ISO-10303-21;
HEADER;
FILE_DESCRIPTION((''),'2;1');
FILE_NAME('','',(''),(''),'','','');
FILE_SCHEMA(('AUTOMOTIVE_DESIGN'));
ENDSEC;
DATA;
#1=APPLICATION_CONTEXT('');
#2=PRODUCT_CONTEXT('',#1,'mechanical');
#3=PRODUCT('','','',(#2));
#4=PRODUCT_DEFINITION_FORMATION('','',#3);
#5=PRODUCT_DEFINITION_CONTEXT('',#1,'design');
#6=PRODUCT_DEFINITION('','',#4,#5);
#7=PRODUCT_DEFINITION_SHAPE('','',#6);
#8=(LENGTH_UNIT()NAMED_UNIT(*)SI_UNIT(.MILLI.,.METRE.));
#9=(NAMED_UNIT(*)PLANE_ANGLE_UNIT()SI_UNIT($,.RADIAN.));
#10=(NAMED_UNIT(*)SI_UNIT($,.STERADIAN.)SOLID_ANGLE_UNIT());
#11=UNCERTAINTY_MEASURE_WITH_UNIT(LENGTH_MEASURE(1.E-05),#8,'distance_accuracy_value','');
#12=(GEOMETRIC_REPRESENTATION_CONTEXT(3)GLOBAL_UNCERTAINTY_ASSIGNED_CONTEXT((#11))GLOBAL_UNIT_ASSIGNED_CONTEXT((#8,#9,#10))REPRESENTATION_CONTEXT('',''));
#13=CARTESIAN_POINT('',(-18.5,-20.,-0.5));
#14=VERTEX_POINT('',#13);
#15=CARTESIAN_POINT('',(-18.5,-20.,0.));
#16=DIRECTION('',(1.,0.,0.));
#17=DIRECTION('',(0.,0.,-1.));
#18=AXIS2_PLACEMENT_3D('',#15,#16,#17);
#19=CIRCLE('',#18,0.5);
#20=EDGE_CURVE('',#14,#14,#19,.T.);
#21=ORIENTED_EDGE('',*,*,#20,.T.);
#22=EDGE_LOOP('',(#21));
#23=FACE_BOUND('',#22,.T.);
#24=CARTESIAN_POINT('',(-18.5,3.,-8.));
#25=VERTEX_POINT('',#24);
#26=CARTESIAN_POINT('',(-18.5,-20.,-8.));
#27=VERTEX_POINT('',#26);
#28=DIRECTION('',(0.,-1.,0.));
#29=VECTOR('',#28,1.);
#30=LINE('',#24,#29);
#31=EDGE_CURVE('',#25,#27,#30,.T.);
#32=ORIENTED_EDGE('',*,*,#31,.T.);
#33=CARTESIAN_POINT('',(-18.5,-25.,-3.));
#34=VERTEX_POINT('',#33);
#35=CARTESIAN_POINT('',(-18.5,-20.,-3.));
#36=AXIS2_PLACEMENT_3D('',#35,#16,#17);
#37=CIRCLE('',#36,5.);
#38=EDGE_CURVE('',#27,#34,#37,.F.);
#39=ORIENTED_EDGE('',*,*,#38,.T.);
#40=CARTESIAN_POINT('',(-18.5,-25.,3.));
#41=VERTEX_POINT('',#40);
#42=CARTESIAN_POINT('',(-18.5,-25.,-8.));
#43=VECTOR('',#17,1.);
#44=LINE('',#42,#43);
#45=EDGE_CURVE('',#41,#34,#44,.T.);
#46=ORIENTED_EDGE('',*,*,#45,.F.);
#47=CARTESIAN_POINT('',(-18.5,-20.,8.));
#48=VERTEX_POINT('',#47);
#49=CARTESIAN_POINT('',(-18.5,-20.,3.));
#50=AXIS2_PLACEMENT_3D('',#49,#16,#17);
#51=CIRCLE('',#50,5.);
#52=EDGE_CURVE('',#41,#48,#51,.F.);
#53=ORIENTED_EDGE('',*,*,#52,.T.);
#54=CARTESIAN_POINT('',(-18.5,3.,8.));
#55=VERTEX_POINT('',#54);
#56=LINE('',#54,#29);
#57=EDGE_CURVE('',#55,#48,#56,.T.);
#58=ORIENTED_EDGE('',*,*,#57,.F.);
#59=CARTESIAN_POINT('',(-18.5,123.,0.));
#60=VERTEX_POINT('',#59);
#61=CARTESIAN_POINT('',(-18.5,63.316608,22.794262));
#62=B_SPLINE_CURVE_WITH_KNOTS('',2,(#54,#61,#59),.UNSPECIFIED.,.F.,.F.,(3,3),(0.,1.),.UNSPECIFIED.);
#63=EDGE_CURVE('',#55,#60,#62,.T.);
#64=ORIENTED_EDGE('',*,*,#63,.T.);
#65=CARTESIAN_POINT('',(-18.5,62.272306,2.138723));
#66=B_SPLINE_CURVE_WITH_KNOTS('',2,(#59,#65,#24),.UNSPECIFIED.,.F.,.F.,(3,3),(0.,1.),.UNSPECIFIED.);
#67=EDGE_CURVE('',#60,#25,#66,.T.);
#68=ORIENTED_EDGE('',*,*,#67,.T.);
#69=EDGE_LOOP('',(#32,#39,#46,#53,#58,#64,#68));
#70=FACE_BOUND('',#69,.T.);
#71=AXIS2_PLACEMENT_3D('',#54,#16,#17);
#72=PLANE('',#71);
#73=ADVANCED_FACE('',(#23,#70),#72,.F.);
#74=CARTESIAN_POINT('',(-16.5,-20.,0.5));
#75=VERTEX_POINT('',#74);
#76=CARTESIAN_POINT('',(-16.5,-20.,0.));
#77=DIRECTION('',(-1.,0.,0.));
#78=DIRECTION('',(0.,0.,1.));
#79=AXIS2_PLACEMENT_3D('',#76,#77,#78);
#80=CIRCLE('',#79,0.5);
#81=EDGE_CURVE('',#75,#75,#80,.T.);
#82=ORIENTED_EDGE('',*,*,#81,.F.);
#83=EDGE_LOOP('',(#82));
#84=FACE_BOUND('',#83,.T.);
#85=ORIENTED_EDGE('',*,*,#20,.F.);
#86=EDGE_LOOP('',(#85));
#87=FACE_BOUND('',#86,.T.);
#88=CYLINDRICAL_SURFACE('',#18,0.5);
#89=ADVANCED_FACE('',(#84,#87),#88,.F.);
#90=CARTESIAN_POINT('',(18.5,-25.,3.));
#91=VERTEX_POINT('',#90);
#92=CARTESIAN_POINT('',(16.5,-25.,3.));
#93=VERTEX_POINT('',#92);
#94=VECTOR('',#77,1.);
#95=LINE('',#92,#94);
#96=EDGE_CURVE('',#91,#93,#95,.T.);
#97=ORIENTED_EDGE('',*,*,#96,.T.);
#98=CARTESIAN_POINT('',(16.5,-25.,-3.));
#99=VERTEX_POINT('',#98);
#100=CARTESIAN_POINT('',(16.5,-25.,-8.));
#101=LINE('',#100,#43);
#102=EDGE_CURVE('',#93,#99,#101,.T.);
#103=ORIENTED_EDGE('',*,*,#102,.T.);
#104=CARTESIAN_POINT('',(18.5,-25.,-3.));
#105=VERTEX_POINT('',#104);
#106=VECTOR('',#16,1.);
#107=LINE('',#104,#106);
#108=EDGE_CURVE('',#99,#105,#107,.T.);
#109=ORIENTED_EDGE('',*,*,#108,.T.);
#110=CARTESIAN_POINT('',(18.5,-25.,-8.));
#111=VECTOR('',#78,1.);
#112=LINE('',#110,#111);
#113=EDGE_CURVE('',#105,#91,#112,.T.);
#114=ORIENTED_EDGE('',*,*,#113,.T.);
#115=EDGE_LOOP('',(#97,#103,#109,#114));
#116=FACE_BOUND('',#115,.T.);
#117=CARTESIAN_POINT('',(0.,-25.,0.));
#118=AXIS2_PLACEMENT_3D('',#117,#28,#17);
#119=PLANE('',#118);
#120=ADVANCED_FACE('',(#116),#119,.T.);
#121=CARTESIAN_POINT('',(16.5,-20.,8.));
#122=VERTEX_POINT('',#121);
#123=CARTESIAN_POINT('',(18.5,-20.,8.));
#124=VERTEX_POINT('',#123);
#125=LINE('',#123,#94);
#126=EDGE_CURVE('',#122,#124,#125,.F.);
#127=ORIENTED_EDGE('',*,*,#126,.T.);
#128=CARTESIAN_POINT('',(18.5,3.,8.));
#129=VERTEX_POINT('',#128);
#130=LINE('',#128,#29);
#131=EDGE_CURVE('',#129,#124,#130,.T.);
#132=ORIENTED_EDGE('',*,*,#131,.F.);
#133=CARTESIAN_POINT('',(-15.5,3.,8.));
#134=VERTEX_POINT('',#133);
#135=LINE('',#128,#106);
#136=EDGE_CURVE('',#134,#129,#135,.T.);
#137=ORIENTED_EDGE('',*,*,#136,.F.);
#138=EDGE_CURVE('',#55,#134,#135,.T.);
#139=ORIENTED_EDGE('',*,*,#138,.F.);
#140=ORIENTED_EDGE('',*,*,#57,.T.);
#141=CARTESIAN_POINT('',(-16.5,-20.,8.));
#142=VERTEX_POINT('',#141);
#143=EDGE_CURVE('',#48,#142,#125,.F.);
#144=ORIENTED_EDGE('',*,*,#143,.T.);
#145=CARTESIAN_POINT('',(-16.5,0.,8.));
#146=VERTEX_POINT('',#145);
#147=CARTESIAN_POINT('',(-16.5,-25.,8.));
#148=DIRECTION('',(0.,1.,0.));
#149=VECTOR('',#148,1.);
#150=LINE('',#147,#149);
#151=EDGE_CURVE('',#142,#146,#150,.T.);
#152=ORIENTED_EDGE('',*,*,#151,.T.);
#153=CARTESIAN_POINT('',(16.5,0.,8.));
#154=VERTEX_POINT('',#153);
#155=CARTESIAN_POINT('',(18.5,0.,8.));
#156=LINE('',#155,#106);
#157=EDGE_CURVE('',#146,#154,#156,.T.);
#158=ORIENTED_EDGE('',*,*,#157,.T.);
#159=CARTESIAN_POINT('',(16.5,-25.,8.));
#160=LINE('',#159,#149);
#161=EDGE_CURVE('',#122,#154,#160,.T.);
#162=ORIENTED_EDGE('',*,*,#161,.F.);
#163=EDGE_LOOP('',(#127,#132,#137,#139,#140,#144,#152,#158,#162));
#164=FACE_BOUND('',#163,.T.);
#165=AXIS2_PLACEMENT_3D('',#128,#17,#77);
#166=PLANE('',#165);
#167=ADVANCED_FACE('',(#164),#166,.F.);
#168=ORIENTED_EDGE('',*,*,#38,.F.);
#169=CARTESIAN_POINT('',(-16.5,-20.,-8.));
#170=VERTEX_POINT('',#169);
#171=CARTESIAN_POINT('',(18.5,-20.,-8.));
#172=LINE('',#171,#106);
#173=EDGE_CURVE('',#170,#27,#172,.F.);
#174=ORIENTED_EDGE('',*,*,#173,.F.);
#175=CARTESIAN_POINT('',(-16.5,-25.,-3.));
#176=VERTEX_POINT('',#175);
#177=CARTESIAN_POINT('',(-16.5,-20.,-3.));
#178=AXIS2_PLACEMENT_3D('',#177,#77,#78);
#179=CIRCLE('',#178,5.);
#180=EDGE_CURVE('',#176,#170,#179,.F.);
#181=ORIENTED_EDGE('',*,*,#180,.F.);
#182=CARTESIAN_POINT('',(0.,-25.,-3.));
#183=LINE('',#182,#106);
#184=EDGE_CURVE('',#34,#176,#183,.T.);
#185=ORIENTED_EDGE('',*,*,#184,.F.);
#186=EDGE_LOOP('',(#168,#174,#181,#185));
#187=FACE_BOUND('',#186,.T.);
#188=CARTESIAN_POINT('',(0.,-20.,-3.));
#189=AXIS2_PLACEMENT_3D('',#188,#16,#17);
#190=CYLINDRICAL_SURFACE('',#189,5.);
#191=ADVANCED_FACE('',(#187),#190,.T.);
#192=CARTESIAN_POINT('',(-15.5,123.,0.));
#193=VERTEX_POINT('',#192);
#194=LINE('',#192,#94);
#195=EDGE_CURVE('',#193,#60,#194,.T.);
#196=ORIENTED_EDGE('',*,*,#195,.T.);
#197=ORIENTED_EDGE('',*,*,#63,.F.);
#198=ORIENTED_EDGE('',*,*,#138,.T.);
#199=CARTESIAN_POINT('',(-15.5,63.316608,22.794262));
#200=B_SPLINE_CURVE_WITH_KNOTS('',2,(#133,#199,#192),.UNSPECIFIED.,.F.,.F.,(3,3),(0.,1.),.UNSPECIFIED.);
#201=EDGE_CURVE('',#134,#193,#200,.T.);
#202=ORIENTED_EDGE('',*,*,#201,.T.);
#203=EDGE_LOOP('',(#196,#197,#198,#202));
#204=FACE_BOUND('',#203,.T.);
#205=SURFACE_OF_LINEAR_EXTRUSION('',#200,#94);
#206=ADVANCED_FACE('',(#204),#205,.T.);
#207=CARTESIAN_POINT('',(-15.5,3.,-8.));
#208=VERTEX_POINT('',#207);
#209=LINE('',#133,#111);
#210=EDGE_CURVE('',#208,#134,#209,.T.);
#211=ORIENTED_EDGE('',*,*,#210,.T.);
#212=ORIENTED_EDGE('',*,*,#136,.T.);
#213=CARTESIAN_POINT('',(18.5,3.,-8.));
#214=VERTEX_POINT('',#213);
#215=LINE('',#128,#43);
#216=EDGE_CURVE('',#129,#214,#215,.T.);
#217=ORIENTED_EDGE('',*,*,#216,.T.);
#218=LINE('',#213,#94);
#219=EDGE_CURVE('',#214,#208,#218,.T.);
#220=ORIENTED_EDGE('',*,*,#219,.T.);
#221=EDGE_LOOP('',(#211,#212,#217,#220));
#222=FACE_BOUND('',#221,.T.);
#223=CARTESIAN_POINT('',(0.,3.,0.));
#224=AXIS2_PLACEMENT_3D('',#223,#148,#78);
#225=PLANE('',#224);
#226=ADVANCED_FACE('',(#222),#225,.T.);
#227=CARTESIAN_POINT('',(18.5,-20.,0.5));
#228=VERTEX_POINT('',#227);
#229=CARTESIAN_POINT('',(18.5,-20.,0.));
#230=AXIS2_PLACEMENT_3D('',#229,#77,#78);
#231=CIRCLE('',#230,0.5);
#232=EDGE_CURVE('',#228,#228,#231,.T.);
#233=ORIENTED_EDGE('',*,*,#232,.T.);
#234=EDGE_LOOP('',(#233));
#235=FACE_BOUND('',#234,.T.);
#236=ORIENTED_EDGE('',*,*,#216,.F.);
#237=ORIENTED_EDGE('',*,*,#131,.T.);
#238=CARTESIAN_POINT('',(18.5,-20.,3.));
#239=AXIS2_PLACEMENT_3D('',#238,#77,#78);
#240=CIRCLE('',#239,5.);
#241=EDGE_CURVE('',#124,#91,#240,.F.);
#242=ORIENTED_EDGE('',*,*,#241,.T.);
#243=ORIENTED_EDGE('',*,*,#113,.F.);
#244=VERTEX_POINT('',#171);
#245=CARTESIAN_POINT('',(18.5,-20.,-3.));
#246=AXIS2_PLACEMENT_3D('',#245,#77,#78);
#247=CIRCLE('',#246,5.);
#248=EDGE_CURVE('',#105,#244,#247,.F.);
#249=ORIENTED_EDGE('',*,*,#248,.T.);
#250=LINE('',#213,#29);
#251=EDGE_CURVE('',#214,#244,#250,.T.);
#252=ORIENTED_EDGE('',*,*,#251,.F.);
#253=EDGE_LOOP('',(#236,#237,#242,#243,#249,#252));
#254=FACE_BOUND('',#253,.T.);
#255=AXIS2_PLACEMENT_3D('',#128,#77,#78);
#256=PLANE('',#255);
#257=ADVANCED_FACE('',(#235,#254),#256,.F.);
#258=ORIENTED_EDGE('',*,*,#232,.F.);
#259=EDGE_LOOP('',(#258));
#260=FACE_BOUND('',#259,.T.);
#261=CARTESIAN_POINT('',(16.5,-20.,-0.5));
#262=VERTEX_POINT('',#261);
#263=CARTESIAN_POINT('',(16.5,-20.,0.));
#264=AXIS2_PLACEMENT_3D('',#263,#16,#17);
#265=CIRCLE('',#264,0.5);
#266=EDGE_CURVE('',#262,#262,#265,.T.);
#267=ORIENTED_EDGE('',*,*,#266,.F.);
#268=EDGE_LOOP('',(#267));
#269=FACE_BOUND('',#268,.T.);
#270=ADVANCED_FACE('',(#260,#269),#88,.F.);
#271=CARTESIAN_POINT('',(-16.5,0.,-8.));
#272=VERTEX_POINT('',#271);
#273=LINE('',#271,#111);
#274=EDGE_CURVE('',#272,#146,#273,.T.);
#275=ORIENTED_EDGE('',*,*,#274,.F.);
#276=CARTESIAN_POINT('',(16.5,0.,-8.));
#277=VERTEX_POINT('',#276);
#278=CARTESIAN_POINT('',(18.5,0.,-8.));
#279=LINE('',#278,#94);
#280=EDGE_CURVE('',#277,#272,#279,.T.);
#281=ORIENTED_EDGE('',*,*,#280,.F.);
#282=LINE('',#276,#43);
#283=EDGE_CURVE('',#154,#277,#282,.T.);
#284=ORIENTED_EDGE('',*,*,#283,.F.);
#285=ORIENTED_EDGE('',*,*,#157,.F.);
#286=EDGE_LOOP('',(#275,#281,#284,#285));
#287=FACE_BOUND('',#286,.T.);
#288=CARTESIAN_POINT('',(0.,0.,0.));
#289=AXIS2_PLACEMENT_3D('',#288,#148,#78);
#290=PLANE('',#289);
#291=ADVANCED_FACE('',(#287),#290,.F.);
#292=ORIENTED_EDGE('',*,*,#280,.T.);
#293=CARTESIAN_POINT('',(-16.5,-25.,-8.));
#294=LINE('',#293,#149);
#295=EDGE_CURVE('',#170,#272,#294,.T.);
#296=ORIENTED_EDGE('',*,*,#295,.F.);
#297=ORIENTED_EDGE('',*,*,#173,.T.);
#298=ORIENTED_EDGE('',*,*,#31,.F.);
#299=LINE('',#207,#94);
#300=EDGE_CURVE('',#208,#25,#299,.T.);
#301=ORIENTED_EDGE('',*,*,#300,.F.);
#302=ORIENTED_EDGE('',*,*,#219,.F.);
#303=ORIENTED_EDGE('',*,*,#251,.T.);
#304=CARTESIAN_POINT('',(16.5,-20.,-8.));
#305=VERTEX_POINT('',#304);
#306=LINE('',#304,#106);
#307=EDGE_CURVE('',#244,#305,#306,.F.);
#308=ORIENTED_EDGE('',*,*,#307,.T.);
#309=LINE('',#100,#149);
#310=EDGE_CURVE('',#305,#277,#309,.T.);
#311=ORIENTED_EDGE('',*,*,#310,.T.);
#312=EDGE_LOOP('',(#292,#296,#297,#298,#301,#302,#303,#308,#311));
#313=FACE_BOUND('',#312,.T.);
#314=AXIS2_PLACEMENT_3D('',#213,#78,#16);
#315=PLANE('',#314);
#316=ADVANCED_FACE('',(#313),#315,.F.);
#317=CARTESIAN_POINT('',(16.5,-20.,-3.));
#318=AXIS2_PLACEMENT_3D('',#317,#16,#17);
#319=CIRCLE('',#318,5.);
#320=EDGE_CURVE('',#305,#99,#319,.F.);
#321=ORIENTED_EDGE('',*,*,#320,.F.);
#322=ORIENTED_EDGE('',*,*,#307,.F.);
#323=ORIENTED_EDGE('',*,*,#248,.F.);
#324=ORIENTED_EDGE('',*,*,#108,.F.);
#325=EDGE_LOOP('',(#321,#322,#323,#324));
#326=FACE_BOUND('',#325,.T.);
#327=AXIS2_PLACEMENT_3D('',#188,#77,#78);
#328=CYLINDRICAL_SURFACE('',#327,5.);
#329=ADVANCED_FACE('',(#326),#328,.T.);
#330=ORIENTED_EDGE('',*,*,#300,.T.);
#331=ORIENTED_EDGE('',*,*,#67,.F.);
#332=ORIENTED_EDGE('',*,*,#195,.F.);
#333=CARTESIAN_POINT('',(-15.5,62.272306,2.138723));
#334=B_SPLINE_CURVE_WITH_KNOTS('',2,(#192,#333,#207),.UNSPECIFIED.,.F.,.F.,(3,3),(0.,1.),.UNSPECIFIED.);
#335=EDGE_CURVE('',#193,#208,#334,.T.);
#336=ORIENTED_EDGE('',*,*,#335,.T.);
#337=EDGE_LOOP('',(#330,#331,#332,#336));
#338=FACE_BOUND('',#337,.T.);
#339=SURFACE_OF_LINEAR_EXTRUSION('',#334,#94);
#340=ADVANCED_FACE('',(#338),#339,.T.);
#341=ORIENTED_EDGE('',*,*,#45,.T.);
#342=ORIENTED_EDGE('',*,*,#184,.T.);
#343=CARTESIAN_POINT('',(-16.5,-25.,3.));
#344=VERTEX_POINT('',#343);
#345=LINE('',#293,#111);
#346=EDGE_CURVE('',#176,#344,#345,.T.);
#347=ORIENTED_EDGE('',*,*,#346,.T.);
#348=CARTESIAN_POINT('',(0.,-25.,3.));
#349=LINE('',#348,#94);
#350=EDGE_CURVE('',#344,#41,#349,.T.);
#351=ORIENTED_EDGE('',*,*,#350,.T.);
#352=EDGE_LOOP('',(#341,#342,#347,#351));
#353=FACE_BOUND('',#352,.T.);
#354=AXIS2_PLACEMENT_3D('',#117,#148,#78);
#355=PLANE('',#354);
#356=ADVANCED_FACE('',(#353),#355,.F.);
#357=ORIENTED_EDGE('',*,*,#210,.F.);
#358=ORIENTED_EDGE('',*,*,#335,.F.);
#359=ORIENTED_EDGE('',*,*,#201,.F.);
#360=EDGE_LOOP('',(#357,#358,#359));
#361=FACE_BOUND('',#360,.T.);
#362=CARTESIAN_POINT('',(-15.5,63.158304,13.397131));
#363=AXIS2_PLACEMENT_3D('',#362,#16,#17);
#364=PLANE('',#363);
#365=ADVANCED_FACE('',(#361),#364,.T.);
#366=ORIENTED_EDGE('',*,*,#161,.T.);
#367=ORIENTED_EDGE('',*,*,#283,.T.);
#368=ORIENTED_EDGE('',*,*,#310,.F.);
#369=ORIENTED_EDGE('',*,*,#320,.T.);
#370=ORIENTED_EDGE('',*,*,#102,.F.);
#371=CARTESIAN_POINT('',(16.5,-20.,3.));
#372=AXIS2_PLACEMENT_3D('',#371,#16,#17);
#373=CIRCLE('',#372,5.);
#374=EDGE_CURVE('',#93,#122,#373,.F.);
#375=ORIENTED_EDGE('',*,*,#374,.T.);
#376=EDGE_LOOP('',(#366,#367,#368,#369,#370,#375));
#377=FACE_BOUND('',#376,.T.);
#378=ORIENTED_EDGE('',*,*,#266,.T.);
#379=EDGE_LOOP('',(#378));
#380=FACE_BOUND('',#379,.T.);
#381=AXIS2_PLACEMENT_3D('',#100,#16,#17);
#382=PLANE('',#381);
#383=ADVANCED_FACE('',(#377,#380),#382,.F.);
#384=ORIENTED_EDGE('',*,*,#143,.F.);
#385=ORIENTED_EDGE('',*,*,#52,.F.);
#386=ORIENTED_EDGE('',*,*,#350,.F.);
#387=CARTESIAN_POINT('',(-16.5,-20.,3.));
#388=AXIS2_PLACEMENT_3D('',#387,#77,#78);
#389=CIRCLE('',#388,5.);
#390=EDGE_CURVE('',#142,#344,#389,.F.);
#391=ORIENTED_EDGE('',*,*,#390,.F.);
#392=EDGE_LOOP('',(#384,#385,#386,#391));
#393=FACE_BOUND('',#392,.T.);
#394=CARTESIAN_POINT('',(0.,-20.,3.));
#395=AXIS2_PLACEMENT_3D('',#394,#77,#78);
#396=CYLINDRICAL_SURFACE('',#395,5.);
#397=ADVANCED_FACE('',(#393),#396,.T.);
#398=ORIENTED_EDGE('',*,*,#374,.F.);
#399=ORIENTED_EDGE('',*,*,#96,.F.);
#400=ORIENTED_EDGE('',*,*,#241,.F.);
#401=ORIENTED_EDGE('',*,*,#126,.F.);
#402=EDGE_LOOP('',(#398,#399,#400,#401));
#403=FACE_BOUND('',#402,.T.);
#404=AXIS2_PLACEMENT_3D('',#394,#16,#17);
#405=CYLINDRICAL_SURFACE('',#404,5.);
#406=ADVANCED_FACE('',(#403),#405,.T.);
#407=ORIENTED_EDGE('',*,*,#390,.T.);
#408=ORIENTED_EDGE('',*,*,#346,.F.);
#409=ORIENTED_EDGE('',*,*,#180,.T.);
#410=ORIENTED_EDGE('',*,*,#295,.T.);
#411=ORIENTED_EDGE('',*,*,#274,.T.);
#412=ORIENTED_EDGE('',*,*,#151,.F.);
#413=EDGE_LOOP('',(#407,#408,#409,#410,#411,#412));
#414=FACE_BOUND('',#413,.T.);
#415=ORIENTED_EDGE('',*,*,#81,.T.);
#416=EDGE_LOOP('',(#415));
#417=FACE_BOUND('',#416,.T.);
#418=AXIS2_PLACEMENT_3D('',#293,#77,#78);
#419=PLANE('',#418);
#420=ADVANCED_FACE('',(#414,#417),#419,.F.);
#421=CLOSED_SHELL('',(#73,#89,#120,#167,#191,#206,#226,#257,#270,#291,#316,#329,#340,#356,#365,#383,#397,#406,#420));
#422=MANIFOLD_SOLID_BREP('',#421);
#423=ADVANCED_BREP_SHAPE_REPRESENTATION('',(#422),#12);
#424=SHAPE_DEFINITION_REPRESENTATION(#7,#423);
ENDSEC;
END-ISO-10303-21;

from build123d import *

# Parameters (mm, degrees)
SKETCH1_W               = 37
SKETCH1_H               = 16
BOSS_EXTRUDE1_DEPTH     = 3
SKETCH2_W               = 2
SKETCH2_H               = 16
BOSS_EXTRUDE2_DEPTH     = 25
FILLET1_R               = 5
CUT_EXTRUDE1_DEPTH      = 46.365184889
CUT_EXTRUDE1_DEPTH_BACK = 46.365184889
SKETCH3_R               = 0.5
BOSS_EXTRUDE3_DEPTH     = 3


with BuildPart() as part:
    # Sketch1 → Boss-Extrude1 (new body)
    with BuildSketch(Plane(origin=(0, 0, 0), x_dir=(1, 0, 0), z_dir=(0, 1, 0))):
        Rectangle(SKETCH1_W, SKETCH1_H)
    extrude(amount=BOSS_EXTRUDE1_DEPTH)

    # Sketch2 → Boss-Extrude2 (add)
    with BuildSketch(Plane.XZ):
        with Locations((17.5, 0)):
            Rectangle(SKETCH2_W, SKETCH2_H)
        with Locations((-17.5, 0)):
            Rectangle(SKETCH2_W, SKETCH2_H)
    extrude(amount=BOSS_EXTRUDE2_DEPTH)

    # Fillet1
    fillet1_edges = [part.edges().sort_by_distance(p)[0] for p in [
        (17.5, -25, 8),
        (17.5, -25, -8),
        (-17.5, -25, -8),
        (-17.5, -25, 8),
    ]]
    fillet(fillet1_edges, radius=FILLET1_R)

    # Sketch3 → Cut-Extrude1 (cut, two sides: drawn at the far end of the back side and taken through both)
    with BuildSketch(Plane(origin=(18.5, 0, 0), x_dir=(0, 0, -1), z_dir=(1, 0, 0)).offset(-CUT_EXTRUDE1_DEPTH_BACK)):
        with Locations((0, -20)):
            Circle(SKETCH3_R)
    extrude(amount=CUT_EXTRUDE1_DEPTH + CUT_EXTRUDE1_DEPTH_BACK, mode=Mode.SUBTRACT)

    # Sketch4 → Boss-Extrude3 (add)
    with BuildSketch(Plane.ZY.offset(18.5)):
        with BuildLine():
            Line((8, 3), (-8, 3))
            add(Edge.make_bspline(
                [(-8, 3), (2.138723357, 62.272306254), (0, 123)],
                knots=[0, 0, 0, 1, 1, 1], degree=2))
            add(Edge.make_bspline(
                [(8, 3), (22.794261884, 63.3166085), (0, 123)],
                knots=[0, 0, 0, 1, 1, 1], degree=2))
        make_face()
    extrude(amount=-BOSS_EXTRUDE3_DEPTH)


solid = part.part
